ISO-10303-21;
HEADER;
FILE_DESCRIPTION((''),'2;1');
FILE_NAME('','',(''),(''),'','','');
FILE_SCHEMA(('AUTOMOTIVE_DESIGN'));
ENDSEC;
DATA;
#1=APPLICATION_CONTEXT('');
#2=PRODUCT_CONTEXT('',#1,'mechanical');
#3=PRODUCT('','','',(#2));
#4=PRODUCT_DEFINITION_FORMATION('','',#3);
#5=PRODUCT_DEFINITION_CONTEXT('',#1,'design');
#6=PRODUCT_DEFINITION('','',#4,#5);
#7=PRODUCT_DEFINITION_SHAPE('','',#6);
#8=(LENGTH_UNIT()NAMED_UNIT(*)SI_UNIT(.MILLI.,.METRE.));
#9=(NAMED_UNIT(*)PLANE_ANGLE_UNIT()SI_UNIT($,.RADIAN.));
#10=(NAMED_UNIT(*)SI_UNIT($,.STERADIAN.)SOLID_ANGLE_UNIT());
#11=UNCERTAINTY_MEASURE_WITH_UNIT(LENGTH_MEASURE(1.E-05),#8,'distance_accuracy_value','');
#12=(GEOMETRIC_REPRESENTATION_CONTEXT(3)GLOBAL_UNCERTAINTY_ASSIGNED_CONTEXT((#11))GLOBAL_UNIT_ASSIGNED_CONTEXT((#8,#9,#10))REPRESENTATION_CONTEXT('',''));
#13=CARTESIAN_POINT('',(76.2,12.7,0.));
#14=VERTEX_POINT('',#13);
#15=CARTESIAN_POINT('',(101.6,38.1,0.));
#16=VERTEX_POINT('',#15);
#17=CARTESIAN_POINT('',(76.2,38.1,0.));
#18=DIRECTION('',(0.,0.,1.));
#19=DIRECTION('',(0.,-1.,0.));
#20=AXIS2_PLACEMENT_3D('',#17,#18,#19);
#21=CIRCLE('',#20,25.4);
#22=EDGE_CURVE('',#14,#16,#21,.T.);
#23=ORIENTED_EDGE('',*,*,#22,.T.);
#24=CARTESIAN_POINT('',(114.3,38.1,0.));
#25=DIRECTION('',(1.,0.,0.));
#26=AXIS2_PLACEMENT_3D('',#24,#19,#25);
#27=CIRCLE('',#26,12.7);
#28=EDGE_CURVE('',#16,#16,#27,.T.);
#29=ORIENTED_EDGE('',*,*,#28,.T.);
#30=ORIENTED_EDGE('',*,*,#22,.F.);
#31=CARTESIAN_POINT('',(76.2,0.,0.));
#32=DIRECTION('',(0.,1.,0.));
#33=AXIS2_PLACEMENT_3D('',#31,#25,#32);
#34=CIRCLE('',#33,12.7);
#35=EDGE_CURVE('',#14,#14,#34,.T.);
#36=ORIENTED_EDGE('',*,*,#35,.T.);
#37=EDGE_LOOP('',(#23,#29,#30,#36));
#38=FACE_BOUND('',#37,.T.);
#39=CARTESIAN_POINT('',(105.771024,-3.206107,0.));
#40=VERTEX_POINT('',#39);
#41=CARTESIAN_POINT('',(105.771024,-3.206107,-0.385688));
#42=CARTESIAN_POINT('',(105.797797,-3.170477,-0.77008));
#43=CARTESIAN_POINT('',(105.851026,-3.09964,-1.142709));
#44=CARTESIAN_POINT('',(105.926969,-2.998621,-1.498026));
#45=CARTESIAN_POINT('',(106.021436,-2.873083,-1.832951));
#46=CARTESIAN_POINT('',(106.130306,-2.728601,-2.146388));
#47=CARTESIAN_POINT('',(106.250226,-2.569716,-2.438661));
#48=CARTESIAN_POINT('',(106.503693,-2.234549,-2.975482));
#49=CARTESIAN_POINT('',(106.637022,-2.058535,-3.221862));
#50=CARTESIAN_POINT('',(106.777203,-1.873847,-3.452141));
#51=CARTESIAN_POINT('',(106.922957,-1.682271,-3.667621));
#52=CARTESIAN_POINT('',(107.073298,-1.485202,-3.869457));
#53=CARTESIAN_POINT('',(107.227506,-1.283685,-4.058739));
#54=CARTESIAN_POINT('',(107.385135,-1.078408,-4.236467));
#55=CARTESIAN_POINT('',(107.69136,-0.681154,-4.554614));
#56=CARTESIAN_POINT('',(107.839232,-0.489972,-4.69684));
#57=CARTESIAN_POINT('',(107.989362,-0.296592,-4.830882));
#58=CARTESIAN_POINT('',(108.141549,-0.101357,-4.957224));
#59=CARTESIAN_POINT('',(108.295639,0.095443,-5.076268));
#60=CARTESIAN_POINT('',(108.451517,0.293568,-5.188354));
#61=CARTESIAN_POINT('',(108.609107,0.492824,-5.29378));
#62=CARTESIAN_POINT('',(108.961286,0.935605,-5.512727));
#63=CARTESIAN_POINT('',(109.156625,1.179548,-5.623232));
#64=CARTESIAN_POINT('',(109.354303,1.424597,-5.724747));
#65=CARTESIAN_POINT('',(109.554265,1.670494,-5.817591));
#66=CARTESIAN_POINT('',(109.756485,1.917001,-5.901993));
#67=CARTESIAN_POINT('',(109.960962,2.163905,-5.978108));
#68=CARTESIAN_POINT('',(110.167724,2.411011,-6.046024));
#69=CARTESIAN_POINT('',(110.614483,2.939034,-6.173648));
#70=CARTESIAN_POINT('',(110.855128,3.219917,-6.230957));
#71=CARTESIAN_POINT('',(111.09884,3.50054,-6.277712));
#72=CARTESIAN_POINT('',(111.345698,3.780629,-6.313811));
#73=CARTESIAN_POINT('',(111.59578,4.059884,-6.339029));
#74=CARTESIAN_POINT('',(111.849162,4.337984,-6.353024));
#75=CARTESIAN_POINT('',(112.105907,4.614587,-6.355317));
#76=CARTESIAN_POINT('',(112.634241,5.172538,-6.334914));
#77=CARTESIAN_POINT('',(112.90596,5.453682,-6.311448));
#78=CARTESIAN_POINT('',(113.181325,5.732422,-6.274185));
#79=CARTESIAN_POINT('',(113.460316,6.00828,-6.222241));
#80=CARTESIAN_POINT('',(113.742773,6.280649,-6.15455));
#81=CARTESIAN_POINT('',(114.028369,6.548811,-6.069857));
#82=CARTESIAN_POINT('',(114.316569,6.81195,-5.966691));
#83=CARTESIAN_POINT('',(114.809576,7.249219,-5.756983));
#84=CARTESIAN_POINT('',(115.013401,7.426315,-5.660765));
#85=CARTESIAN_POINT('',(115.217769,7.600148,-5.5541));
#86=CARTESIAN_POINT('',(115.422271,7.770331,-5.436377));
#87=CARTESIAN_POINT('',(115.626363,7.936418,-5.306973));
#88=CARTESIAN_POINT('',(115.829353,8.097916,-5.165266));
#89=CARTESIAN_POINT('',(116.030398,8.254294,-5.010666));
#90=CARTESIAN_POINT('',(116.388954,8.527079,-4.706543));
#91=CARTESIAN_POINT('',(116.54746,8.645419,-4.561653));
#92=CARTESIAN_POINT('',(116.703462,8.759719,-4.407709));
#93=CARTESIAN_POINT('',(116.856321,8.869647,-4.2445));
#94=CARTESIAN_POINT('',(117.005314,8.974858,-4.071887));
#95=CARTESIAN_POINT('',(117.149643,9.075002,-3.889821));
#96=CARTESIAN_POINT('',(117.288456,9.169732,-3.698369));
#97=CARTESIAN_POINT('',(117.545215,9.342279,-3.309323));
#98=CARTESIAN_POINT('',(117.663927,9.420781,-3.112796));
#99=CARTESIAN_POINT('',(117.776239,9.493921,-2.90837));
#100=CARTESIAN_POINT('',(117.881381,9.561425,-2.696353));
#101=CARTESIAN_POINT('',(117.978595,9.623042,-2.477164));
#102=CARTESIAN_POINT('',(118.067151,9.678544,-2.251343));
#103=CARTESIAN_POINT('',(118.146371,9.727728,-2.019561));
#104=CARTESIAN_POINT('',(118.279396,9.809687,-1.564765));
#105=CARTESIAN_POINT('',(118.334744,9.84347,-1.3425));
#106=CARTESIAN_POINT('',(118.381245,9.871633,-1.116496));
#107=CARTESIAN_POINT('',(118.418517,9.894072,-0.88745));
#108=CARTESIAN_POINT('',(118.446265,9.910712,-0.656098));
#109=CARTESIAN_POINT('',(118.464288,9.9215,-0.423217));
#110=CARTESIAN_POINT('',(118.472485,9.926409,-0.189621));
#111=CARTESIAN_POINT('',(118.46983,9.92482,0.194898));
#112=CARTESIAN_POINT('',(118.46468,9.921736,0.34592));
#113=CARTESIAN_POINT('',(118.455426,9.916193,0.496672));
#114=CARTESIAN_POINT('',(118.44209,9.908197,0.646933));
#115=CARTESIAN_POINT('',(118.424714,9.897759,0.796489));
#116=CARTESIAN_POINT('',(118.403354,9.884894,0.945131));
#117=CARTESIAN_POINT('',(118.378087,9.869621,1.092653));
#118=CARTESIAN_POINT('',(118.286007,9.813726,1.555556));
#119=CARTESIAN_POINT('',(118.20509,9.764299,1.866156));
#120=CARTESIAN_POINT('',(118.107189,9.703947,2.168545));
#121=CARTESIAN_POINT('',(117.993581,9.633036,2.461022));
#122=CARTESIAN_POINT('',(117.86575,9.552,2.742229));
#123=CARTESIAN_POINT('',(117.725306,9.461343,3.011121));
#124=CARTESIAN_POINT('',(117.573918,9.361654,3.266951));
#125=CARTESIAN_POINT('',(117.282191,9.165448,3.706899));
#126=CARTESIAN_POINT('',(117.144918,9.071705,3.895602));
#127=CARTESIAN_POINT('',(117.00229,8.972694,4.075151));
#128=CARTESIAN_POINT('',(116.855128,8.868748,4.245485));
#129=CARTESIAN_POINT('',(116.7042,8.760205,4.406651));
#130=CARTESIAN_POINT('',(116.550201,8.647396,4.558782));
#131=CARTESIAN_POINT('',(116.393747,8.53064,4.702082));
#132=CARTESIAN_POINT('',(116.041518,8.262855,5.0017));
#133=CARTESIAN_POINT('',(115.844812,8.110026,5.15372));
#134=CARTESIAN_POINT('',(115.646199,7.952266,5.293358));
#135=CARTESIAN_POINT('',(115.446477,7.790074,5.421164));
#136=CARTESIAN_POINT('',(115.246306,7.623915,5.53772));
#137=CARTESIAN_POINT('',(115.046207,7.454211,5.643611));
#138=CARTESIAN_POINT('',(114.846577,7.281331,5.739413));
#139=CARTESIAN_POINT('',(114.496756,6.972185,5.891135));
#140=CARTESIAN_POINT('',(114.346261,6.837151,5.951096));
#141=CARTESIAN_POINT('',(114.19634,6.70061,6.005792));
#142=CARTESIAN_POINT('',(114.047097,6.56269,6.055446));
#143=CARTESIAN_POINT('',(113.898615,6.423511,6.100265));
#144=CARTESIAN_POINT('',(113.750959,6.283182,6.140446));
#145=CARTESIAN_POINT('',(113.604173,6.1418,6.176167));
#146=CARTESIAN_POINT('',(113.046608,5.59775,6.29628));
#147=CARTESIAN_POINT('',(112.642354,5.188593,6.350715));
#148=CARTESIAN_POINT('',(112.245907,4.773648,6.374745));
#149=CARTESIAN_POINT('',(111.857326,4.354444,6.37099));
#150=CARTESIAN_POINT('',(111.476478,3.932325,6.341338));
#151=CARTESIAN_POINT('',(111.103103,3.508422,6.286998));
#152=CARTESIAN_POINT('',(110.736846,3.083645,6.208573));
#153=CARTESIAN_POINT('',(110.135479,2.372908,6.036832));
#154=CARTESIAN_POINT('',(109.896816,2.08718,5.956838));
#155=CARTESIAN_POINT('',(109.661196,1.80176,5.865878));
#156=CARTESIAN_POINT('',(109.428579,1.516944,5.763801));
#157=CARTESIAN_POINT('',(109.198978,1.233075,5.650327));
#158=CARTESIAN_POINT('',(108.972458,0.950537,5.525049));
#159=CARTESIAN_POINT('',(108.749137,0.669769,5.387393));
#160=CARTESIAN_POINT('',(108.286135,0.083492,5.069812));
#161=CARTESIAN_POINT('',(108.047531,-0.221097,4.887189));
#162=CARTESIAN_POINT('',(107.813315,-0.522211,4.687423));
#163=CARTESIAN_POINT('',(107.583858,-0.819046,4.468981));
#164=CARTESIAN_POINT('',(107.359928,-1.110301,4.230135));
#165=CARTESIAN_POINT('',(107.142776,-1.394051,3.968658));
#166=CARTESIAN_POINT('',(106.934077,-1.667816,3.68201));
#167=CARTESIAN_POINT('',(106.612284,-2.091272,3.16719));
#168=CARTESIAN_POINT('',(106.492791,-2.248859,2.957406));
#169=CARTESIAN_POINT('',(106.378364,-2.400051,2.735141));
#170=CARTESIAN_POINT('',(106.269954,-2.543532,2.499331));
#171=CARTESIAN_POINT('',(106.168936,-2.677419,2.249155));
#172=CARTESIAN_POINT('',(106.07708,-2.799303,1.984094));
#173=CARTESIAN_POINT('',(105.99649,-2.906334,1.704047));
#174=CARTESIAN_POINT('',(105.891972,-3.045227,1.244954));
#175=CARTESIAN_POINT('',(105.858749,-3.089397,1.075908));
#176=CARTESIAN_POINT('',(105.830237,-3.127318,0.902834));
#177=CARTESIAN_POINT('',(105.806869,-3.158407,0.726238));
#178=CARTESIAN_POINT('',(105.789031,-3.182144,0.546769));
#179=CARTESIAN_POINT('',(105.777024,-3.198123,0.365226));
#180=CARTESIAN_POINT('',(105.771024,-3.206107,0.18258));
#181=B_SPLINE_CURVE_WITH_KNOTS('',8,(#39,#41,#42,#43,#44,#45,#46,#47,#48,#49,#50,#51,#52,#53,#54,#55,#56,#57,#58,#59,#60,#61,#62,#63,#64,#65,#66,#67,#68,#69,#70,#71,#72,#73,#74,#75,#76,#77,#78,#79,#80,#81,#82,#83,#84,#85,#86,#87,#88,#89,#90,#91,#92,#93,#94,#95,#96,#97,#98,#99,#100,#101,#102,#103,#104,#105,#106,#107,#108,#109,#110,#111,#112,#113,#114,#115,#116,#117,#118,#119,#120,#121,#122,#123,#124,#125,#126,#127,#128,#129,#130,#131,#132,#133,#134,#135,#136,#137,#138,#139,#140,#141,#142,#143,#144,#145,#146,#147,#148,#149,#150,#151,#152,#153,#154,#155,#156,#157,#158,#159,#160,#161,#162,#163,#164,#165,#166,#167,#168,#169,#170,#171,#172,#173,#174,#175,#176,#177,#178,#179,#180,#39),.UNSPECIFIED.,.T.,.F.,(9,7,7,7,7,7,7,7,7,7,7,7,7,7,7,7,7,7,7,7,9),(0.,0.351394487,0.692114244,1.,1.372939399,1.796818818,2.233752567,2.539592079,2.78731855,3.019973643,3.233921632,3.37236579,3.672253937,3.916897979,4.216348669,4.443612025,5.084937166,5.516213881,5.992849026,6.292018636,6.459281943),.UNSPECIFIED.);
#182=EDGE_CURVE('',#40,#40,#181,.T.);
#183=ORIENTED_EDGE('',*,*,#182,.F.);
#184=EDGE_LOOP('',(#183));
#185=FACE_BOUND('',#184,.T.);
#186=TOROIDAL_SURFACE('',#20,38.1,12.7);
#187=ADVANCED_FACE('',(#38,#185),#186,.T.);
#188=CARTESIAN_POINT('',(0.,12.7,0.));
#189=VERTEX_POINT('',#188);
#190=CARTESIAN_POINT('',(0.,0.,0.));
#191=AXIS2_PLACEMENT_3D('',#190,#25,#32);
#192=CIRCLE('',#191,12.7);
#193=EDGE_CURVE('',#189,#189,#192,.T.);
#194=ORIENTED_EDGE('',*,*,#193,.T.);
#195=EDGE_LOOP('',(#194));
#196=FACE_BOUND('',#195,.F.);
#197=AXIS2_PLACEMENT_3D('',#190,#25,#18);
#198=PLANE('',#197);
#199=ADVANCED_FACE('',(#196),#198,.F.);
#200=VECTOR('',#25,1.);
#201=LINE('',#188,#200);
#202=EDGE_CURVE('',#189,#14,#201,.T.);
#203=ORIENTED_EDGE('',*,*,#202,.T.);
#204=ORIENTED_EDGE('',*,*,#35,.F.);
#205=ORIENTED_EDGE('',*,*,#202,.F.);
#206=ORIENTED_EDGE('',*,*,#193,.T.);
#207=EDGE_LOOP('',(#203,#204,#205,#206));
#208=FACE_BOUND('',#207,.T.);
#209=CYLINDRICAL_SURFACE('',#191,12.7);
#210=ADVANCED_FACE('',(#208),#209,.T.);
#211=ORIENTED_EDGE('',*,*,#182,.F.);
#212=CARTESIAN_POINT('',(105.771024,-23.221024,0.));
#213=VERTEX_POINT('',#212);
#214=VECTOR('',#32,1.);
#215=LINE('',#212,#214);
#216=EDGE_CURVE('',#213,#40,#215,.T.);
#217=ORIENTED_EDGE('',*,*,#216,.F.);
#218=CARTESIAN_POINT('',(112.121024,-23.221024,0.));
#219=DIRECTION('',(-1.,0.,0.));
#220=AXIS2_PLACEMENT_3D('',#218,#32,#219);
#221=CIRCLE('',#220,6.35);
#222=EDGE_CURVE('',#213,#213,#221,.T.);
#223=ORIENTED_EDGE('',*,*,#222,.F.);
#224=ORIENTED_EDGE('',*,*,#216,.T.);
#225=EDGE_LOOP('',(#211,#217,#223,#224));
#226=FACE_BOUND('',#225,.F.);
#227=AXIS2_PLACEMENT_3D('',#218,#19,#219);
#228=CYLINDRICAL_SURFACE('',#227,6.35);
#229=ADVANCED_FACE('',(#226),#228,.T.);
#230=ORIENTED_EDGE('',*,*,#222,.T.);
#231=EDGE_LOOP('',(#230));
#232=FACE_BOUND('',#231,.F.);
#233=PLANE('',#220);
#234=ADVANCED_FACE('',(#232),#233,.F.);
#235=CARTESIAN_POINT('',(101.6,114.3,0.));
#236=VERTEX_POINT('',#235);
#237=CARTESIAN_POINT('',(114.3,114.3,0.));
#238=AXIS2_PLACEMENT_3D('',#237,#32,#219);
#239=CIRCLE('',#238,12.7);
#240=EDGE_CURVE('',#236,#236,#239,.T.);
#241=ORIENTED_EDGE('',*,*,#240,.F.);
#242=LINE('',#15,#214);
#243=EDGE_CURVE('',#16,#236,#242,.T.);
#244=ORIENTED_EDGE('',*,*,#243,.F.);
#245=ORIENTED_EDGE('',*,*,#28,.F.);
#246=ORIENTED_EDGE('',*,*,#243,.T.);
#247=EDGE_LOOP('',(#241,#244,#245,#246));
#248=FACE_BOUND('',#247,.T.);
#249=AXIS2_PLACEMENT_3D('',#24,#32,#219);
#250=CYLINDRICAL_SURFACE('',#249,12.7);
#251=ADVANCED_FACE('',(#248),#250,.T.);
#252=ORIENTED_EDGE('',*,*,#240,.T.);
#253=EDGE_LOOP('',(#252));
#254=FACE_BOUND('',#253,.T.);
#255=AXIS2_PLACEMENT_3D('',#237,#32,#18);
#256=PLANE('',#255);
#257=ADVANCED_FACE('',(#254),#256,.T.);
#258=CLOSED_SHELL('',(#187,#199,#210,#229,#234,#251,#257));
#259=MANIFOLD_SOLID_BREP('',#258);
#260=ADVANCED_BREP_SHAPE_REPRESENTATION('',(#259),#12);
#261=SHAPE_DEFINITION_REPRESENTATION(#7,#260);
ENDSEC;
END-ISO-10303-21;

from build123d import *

# Parameters (mm, degrees)
F1_R     = 12.7
F5_R     = 6.35
F6_DEPTH = 33.1465593881


with BuildPart() as f2:
    # F2: sweep along a path in F0
    with BuildLine(Plane.XY) as f2_path:
        Line((0, 0), (76.2, 0))
        ThreePointArc((76.2, 0), (103.1407683632, 11.1592316368), (114.3, 38.1))
        Line((114.3, 38.1), (114.3, 114.3))
    # F1 (on Right) → F2 (sweep)
    with BuildSketch(Plane.YZ):
        Circle(F1_R)
    sweep(path=f2_path.line)

    # F5 (on line) → F6 (join, through all)
    with BuildSketch(Plane(origin=(0, -23.2210244843, 0), x_dir=(-1, 0, 0), z_dir=(0, 1, 0))):
        with Locations((-112.1210244843, 0)):
            Circle(F5_R)
    extrude(amount=F6_DEPTH)


solid = f2.part
